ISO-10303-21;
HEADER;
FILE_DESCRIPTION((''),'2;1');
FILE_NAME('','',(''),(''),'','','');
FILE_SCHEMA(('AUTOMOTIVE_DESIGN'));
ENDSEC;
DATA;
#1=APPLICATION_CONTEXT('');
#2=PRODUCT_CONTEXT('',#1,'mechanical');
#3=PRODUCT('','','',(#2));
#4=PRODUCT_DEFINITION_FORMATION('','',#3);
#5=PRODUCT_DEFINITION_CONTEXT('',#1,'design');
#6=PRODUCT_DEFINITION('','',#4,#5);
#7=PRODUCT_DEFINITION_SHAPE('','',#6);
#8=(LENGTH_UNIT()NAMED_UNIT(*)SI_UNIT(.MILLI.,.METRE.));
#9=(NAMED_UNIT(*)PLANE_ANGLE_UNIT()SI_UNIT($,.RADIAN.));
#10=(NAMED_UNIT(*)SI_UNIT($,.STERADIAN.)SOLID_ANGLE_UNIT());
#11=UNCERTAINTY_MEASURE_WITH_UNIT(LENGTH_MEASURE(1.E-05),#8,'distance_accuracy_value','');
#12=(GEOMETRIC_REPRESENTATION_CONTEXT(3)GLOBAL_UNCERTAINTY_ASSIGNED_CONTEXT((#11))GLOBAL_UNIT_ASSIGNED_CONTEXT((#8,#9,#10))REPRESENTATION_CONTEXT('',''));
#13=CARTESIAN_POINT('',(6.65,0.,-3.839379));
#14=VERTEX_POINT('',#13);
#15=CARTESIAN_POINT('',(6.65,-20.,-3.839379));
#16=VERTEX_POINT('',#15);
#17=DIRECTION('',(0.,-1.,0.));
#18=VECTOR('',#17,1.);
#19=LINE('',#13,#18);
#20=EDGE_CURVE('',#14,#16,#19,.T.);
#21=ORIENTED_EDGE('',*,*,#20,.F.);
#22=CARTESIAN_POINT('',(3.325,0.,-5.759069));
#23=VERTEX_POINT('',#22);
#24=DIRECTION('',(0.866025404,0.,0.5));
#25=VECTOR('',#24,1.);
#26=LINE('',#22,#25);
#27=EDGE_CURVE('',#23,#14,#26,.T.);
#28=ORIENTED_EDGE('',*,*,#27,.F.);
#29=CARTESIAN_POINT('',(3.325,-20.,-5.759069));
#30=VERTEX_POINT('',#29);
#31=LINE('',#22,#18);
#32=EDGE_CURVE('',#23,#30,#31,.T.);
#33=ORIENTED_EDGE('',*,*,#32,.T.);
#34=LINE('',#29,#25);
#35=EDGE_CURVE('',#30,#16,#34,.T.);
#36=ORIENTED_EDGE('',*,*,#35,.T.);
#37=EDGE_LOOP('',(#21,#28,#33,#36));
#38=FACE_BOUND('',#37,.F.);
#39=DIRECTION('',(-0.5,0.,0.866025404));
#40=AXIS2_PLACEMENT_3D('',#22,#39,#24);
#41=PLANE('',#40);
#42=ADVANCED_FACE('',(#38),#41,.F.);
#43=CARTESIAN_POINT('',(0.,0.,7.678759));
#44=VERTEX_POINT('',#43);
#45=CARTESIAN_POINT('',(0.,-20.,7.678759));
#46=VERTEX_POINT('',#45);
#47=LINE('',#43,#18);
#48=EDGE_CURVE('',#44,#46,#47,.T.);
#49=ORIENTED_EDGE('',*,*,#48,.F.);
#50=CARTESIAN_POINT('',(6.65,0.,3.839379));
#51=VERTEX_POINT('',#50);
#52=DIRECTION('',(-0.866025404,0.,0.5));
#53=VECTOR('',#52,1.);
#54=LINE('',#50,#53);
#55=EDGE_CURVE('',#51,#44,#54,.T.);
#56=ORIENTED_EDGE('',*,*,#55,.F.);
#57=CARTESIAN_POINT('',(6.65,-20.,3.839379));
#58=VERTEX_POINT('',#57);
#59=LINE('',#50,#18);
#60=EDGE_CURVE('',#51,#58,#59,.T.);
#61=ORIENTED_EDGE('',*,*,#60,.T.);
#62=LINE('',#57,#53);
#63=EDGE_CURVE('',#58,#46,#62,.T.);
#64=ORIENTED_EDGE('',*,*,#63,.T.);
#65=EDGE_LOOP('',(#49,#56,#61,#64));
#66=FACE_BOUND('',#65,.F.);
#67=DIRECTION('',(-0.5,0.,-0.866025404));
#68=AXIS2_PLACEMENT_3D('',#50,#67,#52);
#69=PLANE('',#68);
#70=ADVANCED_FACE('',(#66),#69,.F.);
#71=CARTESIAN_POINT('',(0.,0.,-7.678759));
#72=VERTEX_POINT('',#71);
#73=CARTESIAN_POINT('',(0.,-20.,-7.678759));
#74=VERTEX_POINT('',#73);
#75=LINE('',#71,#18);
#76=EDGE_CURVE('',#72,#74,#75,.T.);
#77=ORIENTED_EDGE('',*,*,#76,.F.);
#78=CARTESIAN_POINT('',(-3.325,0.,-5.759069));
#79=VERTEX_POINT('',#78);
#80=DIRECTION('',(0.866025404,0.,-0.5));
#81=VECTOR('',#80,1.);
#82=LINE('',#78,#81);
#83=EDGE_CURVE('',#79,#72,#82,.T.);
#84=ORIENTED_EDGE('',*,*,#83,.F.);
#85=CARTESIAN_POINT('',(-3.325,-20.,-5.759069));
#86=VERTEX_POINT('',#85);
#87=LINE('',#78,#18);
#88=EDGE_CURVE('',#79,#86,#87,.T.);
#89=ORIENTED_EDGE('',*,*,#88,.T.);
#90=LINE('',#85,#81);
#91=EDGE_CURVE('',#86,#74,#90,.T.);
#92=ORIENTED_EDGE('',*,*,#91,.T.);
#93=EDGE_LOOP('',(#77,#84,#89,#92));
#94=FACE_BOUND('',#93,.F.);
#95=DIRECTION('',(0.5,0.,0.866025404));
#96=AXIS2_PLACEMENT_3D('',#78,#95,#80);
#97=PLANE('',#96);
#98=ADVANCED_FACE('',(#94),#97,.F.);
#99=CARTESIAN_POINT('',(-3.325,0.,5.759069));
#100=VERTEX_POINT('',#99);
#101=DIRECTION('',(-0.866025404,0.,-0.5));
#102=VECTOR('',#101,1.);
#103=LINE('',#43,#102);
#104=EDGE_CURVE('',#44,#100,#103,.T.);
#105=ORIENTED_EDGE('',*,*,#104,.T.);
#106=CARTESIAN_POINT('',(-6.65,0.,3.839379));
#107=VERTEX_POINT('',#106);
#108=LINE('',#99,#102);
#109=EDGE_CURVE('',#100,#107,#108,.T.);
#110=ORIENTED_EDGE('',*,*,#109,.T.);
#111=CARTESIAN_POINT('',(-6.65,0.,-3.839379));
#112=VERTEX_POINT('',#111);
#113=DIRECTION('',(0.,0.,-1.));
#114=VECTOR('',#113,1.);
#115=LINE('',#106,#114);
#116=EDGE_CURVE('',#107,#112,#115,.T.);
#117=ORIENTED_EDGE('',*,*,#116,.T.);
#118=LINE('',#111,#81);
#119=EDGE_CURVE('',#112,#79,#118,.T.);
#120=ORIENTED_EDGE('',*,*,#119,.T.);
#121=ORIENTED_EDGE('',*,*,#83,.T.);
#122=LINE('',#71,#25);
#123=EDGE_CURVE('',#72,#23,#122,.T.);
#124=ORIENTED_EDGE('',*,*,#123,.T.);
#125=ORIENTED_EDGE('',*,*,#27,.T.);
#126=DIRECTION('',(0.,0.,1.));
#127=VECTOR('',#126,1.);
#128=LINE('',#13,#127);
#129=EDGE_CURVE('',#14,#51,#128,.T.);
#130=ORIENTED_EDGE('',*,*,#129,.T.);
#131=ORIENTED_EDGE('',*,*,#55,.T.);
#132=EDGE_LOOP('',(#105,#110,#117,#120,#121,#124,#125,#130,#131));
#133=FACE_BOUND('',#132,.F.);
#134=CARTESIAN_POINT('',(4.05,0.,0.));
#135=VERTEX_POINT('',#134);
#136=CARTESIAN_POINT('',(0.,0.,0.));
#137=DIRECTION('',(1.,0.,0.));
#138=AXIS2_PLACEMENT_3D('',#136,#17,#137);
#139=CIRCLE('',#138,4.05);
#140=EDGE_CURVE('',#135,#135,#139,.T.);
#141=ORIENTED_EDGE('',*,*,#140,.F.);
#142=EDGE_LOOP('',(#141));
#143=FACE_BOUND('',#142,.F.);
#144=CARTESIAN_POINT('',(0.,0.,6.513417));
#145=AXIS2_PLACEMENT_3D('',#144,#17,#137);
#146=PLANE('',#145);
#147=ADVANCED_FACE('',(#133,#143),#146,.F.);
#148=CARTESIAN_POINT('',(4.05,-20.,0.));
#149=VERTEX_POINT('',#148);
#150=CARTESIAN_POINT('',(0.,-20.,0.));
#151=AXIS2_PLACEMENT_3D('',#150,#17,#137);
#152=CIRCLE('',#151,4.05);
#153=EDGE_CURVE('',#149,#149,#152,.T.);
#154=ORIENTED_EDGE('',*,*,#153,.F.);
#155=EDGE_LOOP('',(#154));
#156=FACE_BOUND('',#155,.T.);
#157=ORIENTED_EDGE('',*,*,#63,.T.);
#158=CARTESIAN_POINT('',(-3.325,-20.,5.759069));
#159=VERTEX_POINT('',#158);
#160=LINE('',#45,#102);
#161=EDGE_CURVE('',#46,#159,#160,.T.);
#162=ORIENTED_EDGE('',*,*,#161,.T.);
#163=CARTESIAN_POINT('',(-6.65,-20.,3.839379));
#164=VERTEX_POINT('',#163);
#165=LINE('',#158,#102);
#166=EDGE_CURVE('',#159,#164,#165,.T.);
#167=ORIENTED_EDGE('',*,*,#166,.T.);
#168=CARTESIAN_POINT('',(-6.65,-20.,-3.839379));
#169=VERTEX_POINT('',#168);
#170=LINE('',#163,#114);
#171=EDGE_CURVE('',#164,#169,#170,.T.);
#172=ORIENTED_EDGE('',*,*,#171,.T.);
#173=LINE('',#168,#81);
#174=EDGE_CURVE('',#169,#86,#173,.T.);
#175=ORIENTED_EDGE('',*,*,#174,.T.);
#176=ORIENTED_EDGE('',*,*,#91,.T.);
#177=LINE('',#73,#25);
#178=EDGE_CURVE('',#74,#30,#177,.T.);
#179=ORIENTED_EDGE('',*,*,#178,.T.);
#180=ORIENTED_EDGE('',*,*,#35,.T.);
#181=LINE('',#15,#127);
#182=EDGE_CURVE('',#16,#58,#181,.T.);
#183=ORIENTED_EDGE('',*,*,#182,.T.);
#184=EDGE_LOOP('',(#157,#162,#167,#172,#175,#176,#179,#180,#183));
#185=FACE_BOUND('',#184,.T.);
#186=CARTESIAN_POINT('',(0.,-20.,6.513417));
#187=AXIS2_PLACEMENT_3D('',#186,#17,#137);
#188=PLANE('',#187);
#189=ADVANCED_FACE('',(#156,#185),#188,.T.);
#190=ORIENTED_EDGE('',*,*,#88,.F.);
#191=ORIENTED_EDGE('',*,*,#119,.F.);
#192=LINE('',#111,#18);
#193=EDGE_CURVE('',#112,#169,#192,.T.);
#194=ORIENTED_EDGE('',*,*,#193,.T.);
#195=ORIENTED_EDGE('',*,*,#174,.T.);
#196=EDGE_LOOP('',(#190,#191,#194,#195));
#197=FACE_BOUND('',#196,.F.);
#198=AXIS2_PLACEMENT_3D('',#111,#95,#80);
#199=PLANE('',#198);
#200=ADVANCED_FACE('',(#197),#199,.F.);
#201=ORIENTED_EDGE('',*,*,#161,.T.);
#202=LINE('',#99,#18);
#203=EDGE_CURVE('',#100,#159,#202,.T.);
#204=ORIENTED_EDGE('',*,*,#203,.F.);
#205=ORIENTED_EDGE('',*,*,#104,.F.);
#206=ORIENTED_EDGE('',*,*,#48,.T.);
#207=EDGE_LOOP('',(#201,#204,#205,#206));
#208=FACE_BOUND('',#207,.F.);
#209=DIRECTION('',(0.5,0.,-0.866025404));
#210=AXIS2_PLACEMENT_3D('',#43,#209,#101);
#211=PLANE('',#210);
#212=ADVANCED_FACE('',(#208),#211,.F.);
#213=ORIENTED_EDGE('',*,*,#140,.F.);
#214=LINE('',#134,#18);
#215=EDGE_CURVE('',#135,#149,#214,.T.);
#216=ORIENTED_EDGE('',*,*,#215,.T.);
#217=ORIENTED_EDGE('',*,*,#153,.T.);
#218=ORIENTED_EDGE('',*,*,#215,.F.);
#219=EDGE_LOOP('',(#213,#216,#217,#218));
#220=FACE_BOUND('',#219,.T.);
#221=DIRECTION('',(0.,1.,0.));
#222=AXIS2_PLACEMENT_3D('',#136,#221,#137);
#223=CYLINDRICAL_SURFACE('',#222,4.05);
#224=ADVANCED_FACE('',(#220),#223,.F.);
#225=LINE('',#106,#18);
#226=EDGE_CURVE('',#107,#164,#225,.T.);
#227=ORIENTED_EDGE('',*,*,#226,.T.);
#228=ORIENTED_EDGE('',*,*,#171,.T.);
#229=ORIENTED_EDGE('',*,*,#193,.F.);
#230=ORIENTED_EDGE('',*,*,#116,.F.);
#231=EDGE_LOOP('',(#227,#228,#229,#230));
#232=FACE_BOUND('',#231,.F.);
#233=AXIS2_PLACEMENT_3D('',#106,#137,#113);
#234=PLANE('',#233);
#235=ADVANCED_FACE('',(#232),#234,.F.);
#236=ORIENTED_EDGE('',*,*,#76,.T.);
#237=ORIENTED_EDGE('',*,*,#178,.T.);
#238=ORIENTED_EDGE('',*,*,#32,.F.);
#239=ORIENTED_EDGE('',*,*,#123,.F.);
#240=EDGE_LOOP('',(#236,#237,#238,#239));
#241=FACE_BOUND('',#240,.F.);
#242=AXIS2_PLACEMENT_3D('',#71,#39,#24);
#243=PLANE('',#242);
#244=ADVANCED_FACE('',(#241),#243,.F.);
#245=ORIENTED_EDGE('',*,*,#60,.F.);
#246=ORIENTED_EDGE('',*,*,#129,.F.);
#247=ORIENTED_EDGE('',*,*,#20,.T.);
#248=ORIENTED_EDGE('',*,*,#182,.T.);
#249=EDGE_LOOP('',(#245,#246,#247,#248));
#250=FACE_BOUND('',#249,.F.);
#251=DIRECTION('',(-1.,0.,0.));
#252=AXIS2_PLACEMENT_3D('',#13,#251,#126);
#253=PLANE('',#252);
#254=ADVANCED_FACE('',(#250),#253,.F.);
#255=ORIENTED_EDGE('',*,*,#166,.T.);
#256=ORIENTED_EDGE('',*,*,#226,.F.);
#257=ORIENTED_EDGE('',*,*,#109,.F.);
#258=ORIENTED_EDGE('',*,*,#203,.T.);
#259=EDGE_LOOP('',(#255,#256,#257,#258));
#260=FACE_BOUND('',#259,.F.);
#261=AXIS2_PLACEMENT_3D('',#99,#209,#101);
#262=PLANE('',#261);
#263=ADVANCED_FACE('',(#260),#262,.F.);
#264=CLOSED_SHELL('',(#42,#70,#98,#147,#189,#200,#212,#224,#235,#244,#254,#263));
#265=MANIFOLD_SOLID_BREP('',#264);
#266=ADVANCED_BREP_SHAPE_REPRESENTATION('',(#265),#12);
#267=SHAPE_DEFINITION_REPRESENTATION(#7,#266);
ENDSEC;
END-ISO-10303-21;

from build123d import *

# Parameters (mm, degrees)
F0_R     = 4.05
F1_DEPTH = 20


with BuildPart() as f1:
    # F0 (on Front) → F1 (new body)
    with BuildSketch(Plane.XZ):
        with BuildLine():
            Line((3.3250001364, 5.7590688564), (0, 7.6787585802))
            Line((0, 7.6787585802), (-3.3249999524, 5.7590689627))
            ThreePointArc((-3.3249999524, 5.7590689627), (1.062e-07, 6.65), (3.3250001364, 5.7590688564))
        make_face()
        with BuildLine():
            Line((6.65, 3.8393792901), (3.3250001364, 5.7590688564))
            ThreePointArc((3.3250001364, 5.7590688564), (5.7590689745, 3.3249999318), (6.65, 0))
            Line((6.65, 0), (6.65, 3.8393792901))
        make_face()
        with BuildLine():
            ThreePointArc((6.65, 0), (5.7590689745, 3.3249999318), (3.3250001364, 5.7590688564))
            ThreePointArc((3.3250001364, 5.7590688564), (1.062e-07, 6.65), (-3.3249999524, 5.7590689627))
            ThreePointArc((-3.3249999524, 5.7590689627), (-5.7590689214, 3.3250000238), (-6.65, 0))
            ThreePointArc((-6.65, 0), (-5.7590689227, -3.3250000216), (-3.3249999568, -5.7590689601))
            ThreePointArc((-3.3249999568, -5.7590689601), (2.14e-08, -6.65), (3.3249999939, -5.7590689387))
            ThreePointArc((3.3249999939, -5.7590689387), (5.7590689334, -3.3250000031), (6.65, 0))
        make_face()
        Circle(F0_R, mode=Mode.SUBTRACT)
        with BuildLine():
            ThreePointArc((-6.65, 0), (-5.7590689214, 3.3250000238), (-3.3249999524, 5.7590689627))
            Line((-3.3249999524, 5.7590689627), (-6.65, 3.8393792901))
            Line((-6.65, 3.8393792901), (-6.65, 0))
        make_face()
        with BuildLine():
            Line((6.65, -3.8393792901), (6.65, 0))
            ThreePointArc((6.65, 0), (5.7590689334, -3.3250000031), (3.3249999939, -5.7590689387))
            Line((3.3249999939, -5.7590689387), (6.65, -3.8393792901))
        make_face()
        with BuildLine():
            ThreePointArc((-3.3249999568, -5.7590689601), (-5.7590689227, -3.3250000216), (-6.65, 0))
            Line((-6.65, 0), (-6.65, -3.8393792901))
            Line((-6.65, -3.8393792901), (-3.3249999568, -5.7590689601))
        make_face()
        with BuildLine():
            Line((0, -7.6787585802), (3.3249999939, -5.7590689387))
            ThreePointArc((3.3249999939, -5.7590689387), (2.14e-08, -6.65), (-3.3249999568, -5.7590689601))
            Line((-3.3249999568, -5.7590689601), (0, -7.6787585802))
        make_face()
    extrude(amount=F1_DEPTH)


solid = f1.part
